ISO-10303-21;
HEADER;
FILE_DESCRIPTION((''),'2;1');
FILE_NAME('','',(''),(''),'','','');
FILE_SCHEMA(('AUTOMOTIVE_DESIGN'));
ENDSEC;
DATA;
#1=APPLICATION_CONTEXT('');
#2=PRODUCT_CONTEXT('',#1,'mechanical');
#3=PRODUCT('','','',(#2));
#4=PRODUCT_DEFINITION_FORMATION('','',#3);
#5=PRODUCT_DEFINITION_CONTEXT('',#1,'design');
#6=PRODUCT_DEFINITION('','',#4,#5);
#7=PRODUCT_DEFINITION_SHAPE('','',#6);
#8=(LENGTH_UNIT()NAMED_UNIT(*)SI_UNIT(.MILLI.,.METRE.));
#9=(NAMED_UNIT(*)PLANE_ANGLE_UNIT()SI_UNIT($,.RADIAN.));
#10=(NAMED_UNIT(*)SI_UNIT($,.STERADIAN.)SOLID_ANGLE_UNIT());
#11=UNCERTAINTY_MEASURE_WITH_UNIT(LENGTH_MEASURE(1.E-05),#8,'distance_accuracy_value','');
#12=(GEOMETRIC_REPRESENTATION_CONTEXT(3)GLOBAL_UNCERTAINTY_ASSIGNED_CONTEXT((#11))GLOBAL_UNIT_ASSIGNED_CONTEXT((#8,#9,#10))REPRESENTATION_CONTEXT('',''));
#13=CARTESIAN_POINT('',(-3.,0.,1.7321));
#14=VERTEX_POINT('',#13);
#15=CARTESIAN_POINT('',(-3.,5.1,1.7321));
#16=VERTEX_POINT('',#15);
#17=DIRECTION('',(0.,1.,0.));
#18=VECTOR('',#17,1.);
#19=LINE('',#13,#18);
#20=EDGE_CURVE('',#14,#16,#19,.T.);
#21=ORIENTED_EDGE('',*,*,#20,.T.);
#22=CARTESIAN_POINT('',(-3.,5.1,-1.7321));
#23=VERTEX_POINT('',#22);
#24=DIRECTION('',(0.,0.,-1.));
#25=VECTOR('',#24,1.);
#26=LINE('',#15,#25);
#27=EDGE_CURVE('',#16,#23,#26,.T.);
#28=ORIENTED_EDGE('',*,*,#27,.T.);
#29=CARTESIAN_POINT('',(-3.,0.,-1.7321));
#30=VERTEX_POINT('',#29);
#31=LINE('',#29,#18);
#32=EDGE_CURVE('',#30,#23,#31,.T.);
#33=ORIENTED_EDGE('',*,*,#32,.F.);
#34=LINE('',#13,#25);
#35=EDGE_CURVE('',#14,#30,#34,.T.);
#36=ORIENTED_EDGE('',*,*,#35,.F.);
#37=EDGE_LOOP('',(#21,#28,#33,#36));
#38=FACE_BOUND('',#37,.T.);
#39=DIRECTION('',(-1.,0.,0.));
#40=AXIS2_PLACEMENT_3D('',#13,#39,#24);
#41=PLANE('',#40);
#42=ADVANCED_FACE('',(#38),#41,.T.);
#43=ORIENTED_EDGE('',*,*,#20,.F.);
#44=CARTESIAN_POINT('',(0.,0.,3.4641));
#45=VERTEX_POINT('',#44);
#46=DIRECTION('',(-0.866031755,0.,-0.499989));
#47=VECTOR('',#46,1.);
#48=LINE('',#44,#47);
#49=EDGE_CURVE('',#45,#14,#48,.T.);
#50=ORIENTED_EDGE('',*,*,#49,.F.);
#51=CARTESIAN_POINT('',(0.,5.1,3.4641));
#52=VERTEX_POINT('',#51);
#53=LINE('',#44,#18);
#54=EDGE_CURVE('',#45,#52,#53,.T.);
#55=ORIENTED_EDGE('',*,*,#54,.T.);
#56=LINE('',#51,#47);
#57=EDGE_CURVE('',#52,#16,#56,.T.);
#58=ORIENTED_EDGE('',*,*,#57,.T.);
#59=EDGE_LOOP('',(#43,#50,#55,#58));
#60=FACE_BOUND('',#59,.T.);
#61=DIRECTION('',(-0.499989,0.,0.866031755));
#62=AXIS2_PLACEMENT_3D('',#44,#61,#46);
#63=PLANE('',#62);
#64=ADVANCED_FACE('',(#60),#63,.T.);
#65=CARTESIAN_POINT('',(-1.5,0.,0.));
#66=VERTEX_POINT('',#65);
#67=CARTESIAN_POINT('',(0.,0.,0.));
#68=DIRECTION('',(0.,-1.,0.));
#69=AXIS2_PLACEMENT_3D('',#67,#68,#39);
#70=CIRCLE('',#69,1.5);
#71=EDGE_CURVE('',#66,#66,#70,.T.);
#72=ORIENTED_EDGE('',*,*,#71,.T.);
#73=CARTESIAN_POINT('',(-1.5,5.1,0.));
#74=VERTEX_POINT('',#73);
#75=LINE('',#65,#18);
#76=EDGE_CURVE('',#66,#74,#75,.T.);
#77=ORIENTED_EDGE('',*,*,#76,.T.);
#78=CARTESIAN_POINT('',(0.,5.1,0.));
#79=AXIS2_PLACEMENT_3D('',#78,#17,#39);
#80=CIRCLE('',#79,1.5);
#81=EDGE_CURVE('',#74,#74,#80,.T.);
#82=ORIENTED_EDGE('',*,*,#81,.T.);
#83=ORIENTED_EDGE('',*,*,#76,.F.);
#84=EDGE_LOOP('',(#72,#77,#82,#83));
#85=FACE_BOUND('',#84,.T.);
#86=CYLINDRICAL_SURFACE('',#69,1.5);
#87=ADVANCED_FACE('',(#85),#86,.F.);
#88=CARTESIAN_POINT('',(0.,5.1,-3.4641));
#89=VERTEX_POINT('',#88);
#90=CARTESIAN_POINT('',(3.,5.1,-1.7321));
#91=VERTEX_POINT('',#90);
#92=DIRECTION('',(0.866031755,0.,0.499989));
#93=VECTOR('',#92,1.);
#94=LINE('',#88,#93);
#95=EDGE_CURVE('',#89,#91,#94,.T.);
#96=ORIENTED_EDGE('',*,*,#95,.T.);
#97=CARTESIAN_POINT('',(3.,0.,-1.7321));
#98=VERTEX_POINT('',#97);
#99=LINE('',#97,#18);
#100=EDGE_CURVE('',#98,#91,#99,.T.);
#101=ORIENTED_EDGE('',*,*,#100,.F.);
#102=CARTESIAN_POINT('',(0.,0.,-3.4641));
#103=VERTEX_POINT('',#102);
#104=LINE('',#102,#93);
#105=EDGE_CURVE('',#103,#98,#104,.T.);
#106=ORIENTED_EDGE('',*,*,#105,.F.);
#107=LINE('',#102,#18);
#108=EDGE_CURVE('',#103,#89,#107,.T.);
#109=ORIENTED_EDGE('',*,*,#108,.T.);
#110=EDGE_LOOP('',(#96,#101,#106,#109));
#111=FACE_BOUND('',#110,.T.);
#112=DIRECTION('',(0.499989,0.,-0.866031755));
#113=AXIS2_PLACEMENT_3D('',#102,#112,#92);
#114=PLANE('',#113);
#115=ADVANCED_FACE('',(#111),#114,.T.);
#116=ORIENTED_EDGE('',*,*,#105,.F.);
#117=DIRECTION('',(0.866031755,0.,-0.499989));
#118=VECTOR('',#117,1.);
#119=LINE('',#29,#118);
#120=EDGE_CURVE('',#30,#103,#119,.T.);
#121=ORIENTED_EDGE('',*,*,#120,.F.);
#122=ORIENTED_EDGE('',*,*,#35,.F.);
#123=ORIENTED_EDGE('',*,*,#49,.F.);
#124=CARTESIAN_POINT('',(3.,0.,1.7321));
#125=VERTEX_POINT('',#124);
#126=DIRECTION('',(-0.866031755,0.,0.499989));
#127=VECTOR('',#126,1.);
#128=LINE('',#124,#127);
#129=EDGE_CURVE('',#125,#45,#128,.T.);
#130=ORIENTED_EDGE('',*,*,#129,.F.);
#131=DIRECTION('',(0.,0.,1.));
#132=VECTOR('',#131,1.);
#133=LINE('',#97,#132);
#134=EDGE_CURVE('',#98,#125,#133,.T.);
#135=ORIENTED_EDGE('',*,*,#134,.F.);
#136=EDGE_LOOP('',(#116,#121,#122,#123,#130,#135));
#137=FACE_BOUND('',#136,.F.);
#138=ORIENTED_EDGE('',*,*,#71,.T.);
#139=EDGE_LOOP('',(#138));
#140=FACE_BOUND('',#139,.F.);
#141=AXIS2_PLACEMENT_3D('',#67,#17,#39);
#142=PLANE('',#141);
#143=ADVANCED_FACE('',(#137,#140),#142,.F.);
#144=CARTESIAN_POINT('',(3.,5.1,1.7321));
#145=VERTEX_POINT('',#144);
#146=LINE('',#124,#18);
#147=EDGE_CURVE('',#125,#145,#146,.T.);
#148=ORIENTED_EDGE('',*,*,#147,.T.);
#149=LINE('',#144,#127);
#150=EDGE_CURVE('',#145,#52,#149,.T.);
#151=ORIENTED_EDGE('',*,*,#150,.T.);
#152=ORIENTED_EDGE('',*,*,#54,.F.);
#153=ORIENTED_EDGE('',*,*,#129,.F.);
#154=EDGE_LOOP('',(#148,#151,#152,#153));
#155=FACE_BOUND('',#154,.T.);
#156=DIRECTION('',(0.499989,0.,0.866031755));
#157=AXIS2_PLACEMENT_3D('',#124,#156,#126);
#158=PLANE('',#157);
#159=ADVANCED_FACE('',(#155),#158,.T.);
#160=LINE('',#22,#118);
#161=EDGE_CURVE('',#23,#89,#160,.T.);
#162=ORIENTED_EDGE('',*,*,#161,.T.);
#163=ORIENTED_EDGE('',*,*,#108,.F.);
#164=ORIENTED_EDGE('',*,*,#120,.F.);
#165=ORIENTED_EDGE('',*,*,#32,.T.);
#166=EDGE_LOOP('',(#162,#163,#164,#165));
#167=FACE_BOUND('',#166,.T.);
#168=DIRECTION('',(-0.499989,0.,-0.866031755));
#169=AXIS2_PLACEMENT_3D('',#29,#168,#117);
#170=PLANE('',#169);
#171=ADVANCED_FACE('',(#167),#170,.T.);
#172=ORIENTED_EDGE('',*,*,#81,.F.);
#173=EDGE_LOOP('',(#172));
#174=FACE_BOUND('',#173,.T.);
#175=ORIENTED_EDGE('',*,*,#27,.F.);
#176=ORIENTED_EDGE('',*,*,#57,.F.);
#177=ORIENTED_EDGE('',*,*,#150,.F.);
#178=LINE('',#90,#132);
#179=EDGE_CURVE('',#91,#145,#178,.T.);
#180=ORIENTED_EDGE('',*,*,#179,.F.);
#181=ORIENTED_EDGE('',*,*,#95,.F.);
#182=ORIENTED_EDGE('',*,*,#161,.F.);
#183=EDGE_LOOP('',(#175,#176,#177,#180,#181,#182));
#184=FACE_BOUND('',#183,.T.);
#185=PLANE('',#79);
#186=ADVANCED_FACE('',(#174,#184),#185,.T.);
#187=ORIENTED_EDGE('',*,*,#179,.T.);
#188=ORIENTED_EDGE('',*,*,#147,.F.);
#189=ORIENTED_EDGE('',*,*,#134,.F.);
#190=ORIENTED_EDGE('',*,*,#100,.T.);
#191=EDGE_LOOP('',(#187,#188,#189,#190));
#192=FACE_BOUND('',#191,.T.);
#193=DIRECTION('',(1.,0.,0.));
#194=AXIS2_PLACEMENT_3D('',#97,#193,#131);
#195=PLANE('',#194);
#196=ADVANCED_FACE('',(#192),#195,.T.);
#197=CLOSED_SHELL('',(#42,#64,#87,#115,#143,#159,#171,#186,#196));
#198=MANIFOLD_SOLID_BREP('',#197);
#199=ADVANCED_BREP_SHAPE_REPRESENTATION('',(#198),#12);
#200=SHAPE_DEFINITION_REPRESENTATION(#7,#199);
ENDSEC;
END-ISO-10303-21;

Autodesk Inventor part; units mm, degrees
ref_plane "YZ Plane" through (0, 0, 0) normal (1, 0, 0) x (0, 1, 0)
ref_plane "XZ Plane" through (0, 0, 0) normal (0, 1, 0) x (-1, 0, 0)
ref_plane "XY Plane" through (0, 0, 0) normal (0, 0, 1) x (1, 0, 0)
sketch "Sketch1" plane through (0, 0, 0) normal (0, 1, 0) x (-1, 0, 0)
  line L0 (0, 3.4641) -> (3, 1.7321)
  line L1 (3, 1.7321) -> (3, -1.7321)
  line L2 (3, -1.7321) -> (0, -3.4641)
  line L3 (0, -3.4641) -> (-3, -1.7321)
  line L4 (-3, -1.7321) -> (-3, 1.7321)
  line L5 (-3, 1.7321) -> (0, 3.4641)
  circle A0 centre (0, 0) radius 1.5
  line L6 (0, -4.8497) -> (0, 4.8497) projected
  dimension "d0" = 3
  dimension "d1" = 6
extrude "Extrusion1" add sketch "Sketch1" along normal blind 5.1 contours L6 A0 L3 L4 L5 | L0 L1 L2 L6 A0
thread "Thread1" size "M3x0.5" class "6H" standard "ANSI Metric M Profile" full length
properties part number "Spacer" material "Steel, Mild"
